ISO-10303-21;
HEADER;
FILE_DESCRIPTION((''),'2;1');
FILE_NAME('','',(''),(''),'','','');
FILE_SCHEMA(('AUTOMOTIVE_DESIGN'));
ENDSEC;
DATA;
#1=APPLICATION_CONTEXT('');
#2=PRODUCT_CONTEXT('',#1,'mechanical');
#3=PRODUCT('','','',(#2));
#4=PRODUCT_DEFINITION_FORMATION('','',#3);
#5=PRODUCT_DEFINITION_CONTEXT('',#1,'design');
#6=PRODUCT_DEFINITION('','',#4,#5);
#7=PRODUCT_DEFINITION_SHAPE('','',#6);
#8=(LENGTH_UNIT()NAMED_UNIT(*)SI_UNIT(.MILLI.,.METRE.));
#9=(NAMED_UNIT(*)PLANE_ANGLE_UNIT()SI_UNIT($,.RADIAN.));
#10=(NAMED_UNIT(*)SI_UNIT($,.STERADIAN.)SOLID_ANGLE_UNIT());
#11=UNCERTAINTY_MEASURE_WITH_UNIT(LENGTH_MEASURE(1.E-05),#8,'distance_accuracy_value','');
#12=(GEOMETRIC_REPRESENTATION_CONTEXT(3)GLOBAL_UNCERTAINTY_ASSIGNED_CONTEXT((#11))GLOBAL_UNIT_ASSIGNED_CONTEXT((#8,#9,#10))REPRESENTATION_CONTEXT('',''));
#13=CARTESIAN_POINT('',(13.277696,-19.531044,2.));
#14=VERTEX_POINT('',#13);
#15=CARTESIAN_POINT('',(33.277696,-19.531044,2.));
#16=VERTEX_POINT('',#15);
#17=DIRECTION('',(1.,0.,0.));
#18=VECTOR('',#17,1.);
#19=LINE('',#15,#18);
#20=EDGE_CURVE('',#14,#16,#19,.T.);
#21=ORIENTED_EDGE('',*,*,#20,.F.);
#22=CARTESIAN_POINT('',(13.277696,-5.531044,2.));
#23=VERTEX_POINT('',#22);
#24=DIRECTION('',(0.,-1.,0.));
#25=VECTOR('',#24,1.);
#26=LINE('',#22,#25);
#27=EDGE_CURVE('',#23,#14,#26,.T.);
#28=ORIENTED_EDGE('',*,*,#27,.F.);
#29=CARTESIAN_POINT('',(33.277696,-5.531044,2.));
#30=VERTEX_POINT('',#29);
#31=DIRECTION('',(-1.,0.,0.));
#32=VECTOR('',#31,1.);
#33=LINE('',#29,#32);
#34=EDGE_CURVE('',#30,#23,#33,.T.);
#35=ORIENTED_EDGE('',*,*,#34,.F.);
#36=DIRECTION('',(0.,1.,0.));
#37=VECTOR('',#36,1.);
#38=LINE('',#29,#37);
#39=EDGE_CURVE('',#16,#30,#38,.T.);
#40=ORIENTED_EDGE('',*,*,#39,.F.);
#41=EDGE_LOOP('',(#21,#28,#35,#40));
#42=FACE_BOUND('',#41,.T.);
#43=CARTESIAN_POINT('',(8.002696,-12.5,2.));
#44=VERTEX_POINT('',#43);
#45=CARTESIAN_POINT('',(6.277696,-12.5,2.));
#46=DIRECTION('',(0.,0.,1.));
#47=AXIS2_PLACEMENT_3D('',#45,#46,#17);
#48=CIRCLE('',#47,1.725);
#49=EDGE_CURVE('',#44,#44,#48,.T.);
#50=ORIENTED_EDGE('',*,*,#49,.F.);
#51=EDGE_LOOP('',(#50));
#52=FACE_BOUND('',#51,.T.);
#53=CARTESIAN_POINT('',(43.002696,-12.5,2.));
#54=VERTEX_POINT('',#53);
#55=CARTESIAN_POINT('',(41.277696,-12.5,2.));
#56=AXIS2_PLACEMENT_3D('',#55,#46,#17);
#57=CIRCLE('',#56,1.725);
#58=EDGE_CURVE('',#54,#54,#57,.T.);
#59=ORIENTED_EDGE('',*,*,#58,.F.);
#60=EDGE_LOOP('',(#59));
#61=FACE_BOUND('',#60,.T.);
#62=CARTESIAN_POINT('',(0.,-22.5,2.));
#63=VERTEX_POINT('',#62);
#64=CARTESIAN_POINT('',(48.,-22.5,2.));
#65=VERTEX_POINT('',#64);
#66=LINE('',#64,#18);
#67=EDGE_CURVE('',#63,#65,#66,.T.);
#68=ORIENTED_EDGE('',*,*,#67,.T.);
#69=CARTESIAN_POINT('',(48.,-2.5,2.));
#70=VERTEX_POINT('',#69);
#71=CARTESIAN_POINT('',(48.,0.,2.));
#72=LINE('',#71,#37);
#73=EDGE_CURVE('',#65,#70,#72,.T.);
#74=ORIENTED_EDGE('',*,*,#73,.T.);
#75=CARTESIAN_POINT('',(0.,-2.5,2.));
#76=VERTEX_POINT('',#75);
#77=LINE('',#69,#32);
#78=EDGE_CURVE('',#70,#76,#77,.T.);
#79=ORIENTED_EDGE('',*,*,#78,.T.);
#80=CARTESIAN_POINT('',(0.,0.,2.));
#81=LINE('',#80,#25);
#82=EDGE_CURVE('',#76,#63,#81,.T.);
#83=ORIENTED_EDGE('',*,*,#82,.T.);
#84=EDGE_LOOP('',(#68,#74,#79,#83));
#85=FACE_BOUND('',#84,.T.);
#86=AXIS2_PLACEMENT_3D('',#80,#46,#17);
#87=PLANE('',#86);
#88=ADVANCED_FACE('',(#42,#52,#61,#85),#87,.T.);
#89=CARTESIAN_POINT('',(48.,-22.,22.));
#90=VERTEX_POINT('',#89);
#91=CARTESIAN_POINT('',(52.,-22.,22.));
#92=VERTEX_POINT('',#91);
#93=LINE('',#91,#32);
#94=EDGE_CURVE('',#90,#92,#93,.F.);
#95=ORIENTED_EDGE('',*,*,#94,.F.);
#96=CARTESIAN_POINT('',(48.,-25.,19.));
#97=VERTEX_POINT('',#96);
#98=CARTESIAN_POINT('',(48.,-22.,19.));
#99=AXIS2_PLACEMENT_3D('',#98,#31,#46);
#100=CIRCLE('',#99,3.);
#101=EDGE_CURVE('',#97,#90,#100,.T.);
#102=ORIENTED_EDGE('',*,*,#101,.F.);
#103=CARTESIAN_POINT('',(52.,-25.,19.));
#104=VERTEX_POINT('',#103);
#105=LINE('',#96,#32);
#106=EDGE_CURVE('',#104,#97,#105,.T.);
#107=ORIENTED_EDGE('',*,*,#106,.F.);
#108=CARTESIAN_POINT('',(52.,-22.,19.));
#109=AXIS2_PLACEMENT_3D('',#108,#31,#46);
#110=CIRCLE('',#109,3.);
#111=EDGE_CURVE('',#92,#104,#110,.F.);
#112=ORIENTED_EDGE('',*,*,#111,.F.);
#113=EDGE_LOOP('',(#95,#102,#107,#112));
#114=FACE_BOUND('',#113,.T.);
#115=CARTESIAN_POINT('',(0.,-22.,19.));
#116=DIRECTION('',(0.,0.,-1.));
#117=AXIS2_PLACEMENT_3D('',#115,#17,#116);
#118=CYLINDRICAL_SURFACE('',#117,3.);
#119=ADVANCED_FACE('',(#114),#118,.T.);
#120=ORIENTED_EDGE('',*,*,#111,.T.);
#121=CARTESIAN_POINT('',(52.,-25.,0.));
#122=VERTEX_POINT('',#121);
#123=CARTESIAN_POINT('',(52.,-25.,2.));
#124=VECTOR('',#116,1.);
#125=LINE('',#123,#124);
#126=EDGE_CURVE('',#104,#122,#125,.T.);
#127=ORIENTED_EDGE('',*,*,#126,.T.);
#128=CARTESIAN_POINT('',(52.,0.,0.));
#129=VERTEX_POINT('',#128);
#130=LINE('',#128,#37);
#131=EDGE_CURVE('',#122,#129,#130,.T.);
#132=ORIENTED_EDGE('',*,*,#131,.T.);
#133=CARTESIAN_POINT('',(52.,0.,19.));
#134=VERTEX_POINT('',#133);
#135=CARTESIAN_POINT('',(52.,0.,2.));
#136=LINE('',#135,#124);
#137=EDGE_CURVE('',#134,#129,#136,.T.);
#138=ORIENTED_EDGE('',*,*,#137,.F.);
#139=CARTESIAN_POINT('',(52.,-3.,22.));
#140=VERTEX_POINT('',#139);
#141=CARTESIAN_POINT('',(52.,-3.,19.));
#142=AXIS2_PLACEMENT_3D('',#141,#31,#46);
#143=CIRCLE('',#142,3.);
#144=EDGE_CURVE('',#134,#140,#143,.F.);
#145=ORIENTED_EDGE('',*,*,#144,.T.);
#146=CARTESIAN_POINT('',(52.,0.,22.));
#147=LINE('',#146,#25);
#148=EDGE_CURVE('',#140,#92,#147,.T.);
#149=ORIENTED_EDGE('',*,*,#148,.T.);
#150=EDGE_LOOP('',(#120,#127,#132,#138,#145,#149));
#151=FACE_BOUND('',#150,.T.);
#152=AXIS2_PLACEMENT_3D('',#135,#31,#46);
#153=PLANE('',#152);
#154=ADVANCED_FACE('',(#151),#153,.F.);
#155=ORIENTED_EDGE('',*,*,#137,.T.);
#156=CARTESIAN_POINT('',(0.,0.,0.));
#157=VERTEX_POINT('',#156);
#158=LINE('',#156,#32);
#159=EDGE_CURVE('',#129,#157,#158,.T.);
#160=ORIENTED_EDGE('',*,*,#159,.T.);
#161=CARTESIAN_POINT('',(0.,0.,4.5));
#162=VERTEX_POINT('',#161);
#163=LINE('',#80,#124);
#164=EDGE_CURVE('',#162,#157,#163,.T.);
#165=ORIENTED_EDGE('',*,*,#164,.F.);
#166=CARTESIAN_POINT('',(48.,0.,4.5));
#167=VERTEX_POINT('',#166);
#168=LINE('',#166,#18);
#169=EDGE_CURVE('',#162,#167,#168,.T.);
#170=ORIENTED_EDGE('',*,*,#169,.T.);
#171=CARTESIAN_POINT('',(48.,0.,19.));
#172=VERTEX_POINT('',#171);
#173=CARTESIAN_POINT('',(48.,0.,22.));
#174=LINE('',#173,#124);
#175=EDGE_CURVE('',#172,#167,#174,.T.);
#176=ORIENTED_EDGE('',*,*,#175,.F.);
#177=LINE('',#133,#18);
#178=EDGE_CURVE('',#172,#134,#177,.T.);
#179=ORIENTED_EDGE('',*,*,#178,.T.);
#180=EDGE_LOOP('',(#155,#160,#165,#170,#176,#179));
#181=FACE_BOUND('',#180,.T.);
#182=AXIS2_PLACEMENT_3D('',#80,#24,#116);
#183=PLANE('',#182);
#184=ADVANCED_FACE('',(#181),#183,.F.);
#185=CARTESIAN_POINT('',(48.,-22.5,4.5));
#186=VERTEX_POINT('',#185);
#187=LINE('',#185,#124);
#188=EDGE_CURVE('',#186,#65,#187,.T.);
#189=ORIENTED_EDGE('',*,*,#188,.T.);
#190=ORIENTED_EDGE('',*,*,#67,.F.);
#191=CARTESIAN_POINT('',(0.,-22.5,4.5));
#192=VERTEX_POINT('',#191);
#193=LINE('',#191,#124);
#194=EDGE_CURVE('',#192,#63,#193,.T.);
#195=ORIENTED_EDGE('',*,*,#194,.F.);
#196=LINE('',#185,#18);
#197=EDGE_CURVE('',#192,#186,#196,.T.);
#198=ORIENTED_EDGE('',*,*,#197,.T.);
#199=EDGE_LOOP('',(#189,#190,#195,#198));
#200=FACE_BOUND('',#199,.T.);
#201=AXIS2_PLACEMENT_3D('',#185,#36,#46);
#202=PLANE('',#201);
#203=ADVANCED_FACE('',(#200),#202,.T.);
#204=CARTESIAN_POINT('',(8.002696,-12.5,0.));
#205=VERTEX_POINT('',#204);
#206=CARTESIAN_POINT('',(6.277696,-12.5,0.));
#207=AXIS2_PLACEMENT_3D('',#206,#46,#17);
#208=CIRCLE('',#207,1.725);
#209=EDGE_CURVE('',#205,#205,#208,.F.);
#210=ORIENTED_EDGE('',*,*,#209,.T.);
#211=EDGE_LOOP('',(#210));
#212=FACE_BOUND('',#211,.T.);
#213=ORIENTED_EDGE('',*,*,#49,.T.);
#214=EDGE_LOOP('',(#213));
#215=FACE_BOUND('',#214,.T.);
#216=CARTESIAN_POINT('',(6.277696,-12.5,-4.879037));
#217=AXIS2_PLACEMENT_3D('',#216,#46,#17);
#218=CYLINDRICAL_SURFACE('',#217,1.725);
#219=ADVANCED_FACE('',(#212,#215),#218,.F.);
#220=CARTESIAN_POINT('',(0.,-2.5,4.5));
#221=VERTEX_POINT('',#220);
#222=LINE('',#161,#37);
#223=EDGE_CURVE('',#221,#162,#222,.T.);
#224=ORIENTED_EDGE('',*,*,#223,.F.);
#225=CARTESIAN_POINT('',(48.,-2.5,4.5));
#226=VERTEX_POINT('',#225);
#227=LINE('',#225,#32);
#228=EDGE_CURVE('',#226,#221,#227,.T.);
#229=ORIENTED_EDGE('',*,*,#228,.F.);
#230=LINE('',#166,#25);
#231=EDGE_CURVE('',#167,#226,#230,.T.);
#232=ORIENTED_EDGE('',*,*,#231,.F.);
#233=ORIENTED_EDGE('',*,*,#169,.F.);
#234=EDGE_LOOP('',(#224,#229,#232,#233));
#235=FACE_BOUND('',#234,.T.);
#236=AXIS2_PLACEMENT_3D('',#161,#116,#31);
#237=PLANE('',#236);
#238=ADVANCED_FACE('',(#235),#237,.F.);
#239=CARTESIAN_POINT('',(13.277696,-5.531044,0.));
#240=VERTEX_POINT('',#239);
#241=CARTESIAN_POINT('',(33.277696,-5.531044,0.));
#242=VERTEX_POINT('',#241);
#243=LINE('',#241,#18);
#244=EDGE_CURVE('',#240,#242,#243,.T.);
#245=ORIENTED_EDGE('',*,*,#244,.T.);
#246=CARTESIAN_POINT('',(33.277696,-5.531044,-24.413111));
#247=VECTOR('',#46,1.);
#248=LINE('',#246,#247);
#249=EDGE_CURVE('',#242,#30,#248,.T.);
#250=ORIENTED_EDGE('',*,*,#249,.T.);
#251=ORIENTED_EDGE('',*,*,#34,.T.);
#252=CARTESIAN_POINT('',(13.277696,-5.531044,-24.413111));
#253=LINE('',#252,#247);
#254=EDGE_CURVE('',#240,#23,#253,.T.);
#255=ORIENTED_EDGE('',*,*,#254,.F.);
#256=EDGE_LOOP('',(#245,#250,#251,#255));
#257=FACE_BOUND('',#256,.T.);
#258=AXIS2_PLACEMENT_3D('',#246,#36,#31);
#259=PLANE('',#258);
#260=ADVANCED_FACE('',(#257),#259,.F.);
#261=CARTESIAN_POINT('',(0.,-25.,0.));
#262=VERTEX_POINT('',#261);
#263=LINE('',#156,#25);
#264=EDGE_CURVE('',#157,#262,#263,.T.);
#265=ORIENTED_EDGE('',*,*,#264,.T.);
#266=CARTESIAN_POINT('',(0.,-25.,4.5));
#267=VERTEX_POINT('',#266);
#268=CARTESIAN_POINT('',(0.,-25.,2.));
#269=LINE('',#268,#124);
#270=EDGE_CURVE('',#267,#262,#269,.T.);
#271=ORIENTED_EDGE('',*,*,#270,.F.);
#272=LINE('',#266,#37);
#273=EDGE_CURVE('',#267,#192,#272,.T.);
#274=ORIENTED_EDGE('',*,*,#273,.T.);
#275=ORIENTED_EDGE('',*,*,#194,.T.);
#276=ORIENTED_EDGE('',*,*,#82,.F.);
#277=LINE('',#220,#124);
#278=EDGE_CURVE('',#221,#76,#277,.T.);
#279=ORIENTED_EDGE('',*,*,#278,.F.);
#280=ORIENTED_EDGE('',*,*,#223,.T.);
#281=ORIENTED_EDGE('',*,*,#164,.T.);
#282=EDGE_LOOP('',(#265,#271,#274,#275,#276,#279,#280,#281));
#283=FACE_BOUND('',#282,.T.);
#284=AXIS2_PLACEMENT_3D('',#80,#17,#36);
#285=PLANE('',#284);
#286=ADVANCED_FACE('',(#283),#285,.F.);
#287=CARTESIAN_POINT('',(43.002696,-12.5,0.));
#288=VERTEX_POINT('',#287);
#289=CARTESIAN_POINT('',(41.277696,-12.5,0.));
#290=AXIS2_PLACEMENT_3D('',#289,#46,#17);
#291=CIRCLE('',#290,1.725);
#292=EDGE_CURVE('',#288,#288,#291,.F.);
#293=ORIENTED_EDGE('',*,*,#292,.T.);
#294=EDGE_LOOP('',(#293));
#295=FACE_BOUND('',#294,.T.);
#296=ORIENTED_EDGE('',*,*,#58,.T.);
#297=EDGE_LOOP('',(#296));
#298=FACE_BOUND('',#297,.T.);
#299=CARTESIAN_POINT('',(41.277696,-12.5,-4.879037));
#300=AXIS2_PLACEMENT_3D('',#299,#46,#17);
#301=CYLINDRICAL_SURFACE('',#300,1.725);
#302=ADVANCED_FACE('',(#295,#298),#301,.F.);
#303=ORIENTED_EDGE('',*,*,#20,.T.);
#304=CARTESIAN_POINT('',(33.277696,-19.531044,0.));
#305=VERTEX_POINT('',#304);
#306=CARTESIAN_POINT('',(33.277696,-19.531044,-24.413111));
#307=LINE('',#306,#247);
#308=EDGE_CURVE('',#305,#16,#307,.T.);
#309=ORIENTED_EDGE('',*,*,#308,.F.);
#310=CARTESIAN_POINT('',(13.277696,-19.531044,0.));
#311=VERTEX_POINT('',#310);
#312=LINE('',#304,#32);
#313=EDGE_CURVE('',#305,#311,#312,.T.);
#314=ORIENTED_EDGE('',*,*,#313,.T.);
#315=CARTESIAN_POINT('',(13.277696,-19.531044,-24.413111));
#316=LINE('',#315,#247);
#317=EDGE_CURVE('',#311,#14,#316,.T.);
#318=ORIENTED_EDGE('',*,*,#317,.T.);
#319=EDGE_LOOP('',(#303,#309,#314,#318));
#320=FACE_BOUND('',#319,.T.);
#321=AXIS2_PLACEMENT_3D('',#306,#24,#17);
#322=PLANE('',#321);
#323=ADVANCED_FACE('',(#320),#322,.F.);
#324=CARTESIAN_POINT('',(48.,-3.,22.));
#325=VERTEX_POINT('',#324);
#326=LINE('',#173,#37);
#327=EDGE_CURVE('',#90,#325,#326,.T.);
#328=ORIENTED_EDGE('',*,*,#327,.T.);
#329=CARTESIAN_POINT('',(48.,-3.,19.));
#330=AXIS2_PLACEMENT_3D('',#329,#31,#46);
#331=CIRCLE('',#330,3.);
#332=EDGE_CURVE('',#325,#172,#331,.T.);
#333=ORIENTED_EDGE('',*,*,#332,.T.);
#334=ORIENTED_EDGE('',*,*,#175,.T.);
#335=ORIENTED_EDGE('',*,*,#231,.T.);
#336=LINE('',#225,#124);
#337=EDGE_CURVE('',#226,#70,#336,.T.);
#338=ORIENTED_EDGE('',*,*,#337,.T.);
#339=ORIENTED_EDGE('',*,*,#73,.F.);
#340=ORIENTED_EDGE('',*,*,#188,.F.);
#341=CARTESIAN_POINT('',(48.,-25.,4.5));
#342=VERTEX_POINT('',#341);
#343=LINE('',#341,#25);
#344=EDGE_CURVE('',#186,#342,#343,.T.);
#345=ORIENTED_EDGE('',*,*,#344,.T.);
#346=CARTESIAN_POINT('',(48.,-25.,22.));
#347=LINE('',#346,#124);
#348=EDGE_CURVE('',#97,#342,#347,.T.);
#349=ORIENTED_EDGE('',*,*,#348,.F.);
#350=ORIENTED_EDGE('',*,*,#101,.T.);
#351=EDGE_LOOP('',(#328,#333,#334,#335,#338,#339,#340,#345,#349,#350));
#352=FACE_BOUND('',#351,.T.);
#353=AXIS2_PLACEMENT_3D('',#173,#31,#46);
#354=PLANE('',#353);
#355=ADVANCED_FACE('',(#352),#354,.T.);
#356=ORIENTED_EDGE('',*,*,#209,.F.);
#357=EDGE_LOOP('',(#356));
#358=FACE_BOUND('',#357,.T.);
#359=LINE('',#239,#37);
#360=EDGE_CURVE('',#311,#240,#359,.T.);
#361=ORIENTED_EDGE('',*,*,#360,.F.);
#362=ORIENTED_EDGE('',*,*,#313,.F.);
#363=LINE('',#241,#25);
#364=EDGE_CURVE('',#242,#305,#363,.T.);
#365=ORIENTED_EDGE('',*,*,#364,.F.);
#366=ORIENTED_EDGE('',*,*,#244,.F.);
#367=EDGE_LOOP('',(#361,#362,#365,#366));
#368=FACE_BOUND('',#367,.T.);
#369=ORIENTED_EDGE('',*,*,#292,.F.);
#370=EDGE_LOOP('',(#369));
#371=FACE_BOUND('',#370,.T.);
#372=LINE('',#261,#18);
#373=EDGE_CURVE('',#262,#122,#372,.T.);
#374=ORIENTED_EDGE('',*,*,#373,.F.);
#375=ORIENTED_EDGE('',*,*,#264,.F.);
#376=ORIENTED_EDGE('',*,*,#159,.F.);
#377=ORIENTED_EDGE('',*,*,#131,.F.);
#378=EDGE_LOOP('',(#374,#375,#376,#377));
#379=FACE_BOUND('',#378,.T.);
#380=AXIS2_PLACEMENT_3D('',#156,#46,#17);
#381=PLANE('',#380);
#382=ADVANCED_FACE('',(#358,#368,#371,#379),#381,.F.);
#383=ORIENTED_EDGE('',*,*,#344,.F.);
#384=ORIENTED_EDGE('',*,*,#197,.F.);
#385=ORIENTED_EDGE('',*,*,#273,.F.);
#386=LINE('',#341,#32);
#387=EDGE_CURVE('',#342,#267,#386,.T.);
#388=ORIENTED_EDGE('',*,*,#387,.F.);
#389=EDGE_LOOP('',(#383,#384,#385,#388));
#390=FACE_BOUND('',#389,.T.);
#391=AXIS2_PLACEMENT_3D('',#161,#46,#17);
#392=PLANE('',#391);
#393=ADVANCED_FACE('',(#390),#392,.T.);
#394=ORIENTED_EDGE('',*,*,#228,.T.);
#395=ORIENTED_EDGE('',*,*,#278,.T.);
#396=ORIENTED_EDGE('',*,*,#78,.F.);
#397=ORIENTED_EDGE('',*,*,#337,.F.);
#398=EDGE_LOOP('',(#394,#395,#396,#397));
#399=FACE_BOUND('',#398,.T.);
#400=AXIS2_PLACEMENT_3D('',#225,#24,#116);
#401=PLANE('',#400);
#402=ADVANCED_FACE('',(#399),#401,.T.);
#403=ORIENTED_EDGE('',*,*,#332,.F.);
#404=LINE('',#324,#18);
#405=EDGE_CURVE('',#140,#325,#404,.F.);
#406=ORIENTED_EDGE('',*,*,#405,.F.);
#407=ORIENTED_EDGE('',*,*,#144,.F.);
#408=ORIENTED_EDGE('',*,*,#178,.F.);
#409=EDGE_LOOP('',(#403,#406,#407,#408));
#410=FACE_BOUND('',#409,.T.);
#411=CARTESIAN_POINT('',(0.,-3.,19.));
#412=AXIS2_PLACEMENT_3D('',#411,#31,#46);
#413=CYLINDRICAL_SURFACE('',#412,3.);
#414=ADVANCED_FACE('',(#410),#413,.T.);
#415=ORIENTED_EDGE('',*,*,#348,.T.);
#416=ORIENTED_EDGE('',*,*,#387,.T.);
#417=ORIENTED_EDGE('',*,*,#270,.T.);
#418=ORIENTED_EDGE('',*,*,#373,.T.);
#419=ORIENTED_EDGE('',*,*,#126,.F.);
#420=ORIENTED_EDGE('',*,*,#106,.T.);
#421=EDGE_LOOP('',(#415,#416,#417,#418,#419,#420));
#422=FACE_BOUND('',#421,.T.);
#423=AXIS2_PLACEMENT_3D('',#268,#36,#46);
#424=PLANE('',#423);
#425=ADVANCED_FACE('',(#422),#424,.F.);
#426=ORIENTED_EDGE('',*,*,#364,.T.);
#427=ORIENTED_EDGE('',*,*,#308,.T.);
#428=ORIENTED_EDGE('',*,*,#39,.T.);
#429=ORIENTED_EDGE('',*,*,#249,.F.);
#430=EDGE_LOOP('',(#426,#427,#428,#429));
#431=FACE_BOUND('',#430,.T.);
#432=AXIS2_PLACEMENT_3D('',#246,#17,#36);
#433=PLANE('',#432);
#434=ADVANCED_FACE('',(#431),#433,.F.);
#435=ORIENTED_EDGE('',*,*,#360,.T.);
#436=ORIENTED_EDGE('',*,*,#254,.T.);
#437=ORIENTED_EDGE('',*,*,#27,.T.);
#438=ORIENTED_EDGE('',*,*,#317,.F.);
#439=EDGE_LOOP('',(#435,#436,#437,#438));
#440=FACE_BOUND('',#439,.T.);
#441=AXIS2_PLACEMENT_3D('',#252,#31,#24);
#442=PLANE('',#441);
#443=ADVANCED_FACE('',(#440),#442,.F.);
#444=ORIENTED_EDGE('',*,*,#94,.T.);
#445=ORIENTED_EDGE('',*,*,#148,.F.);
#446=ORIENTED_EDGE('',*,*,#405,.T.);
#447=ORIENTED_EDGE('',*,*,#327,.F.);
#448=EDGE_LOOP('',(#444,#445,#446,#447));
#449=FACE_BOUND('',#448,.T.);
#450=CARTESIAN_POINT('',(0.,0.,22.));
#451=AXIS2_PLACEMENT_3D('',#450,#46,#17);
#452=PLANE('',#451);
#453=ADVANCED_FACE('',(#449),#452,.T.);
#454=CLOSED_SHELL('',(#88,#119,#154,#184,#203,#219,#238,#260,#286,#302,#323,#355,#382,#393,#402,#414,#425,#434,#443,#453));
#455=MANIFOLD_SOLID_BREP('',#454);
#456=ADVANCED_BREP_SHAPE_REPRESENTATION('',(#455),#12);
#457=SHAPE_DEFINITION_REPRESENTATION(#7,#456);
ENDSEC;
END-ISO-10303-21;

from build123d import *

# Parameters (mm, degrees)
SKETCH1_W           = 52
SKETCH1_H           = 25
BOSS_EXTRUDE1_DEPTH = 2
SKETCH2_W           = 4
SKETCH2_H           = 25
BOSS_EXTRUDE2_DEPTH = 20
FILLET1_R           = 3
SKETCH4_R           = 1.725
CUT_EXTRUDE2_DEPTH  = 2
SKETCH5_W           = 48
SKETCH5_H           = 2.5
BOSS_EXTRUDE3_DEPTH = 2.5
SKETCH6_W           = 20
SKETCH6_H           = 14
CUT_EXTRUDE3_DEPTH  = 2


with BuildPart() as part:
    # Sketch1 → Boss-Extrude1 (new body)
    with BuildSketch(Plane.XY):
        with Locations((26, -12.5)):
            Rectangle(SKETCH1_W, SKETCH1_H)
    extrude(amount=BOSS_EXTRUDE1_DEPTH)

    # Sketch2 → Boss-Extrude2 (add)
    with BuildSketch(Plane(origin=(0, 0, 2), x_dir=(-1, 0, 0), z_dir=(0, 0, -1))):
        with Locations((-50, -12.5)):
            Rectangle(SKETCH2_W, SKETCH2_H)
    extrude(amount=-BOSS_EXTRUDE2_DEPTH)

    # Fillet1
    fillet1_edges = [part.edges().sort_by_distance(p)[0] for p in [
        (50, -25, 22),
        (50, 0, 22),
    ]]
    fillet(fillet1_edges, radius=FILLET1_R)

    # Sketch4 → Cut-Extrude2 (cut)
    with BuildSketch(Plane.XY.offset(2)):
        with Locations((41.277695867, -12.5)):
            Circle(SKETCH4_R)
        with Locations((6.277695867, -12.5)):
            Circle(SKETCH4_R)
    extrude(amount=-CUT_EXTRUDE2_DEPTH, mode=Mode.SUBTRACT)

    # Sketch5 → Boss-Extrude3 (add)
    with BuildSketch(Plane(origin=(0, 0, 2), x_dir=(-1, 0, 0), z_dir=(0, 0, -1))):
        with Locations((-24, -23.75)):
            Rectangle(SKETCH5_W, SKETCH5_H)
        with Locations((-24, -1.25)):
            Rectangle(SKETCH5_W, SKETCH5_H)
    extrude(amount=-BOSS_EXTRUDE3_DEPTH)

    # Sketch6 → Cut-Extrude3 (cut)
    with BuildSketch(Plane.XY.offset(2)):
        with Locations((23.277695867, -12.531043961)):
            Rectangle(SKETCH6_W, SKETCH6_H)
    extrude(amount=-CUT_EXTRUDE3_DEPTH, mode=Mode.SUBTRACT)


solid = part.part
